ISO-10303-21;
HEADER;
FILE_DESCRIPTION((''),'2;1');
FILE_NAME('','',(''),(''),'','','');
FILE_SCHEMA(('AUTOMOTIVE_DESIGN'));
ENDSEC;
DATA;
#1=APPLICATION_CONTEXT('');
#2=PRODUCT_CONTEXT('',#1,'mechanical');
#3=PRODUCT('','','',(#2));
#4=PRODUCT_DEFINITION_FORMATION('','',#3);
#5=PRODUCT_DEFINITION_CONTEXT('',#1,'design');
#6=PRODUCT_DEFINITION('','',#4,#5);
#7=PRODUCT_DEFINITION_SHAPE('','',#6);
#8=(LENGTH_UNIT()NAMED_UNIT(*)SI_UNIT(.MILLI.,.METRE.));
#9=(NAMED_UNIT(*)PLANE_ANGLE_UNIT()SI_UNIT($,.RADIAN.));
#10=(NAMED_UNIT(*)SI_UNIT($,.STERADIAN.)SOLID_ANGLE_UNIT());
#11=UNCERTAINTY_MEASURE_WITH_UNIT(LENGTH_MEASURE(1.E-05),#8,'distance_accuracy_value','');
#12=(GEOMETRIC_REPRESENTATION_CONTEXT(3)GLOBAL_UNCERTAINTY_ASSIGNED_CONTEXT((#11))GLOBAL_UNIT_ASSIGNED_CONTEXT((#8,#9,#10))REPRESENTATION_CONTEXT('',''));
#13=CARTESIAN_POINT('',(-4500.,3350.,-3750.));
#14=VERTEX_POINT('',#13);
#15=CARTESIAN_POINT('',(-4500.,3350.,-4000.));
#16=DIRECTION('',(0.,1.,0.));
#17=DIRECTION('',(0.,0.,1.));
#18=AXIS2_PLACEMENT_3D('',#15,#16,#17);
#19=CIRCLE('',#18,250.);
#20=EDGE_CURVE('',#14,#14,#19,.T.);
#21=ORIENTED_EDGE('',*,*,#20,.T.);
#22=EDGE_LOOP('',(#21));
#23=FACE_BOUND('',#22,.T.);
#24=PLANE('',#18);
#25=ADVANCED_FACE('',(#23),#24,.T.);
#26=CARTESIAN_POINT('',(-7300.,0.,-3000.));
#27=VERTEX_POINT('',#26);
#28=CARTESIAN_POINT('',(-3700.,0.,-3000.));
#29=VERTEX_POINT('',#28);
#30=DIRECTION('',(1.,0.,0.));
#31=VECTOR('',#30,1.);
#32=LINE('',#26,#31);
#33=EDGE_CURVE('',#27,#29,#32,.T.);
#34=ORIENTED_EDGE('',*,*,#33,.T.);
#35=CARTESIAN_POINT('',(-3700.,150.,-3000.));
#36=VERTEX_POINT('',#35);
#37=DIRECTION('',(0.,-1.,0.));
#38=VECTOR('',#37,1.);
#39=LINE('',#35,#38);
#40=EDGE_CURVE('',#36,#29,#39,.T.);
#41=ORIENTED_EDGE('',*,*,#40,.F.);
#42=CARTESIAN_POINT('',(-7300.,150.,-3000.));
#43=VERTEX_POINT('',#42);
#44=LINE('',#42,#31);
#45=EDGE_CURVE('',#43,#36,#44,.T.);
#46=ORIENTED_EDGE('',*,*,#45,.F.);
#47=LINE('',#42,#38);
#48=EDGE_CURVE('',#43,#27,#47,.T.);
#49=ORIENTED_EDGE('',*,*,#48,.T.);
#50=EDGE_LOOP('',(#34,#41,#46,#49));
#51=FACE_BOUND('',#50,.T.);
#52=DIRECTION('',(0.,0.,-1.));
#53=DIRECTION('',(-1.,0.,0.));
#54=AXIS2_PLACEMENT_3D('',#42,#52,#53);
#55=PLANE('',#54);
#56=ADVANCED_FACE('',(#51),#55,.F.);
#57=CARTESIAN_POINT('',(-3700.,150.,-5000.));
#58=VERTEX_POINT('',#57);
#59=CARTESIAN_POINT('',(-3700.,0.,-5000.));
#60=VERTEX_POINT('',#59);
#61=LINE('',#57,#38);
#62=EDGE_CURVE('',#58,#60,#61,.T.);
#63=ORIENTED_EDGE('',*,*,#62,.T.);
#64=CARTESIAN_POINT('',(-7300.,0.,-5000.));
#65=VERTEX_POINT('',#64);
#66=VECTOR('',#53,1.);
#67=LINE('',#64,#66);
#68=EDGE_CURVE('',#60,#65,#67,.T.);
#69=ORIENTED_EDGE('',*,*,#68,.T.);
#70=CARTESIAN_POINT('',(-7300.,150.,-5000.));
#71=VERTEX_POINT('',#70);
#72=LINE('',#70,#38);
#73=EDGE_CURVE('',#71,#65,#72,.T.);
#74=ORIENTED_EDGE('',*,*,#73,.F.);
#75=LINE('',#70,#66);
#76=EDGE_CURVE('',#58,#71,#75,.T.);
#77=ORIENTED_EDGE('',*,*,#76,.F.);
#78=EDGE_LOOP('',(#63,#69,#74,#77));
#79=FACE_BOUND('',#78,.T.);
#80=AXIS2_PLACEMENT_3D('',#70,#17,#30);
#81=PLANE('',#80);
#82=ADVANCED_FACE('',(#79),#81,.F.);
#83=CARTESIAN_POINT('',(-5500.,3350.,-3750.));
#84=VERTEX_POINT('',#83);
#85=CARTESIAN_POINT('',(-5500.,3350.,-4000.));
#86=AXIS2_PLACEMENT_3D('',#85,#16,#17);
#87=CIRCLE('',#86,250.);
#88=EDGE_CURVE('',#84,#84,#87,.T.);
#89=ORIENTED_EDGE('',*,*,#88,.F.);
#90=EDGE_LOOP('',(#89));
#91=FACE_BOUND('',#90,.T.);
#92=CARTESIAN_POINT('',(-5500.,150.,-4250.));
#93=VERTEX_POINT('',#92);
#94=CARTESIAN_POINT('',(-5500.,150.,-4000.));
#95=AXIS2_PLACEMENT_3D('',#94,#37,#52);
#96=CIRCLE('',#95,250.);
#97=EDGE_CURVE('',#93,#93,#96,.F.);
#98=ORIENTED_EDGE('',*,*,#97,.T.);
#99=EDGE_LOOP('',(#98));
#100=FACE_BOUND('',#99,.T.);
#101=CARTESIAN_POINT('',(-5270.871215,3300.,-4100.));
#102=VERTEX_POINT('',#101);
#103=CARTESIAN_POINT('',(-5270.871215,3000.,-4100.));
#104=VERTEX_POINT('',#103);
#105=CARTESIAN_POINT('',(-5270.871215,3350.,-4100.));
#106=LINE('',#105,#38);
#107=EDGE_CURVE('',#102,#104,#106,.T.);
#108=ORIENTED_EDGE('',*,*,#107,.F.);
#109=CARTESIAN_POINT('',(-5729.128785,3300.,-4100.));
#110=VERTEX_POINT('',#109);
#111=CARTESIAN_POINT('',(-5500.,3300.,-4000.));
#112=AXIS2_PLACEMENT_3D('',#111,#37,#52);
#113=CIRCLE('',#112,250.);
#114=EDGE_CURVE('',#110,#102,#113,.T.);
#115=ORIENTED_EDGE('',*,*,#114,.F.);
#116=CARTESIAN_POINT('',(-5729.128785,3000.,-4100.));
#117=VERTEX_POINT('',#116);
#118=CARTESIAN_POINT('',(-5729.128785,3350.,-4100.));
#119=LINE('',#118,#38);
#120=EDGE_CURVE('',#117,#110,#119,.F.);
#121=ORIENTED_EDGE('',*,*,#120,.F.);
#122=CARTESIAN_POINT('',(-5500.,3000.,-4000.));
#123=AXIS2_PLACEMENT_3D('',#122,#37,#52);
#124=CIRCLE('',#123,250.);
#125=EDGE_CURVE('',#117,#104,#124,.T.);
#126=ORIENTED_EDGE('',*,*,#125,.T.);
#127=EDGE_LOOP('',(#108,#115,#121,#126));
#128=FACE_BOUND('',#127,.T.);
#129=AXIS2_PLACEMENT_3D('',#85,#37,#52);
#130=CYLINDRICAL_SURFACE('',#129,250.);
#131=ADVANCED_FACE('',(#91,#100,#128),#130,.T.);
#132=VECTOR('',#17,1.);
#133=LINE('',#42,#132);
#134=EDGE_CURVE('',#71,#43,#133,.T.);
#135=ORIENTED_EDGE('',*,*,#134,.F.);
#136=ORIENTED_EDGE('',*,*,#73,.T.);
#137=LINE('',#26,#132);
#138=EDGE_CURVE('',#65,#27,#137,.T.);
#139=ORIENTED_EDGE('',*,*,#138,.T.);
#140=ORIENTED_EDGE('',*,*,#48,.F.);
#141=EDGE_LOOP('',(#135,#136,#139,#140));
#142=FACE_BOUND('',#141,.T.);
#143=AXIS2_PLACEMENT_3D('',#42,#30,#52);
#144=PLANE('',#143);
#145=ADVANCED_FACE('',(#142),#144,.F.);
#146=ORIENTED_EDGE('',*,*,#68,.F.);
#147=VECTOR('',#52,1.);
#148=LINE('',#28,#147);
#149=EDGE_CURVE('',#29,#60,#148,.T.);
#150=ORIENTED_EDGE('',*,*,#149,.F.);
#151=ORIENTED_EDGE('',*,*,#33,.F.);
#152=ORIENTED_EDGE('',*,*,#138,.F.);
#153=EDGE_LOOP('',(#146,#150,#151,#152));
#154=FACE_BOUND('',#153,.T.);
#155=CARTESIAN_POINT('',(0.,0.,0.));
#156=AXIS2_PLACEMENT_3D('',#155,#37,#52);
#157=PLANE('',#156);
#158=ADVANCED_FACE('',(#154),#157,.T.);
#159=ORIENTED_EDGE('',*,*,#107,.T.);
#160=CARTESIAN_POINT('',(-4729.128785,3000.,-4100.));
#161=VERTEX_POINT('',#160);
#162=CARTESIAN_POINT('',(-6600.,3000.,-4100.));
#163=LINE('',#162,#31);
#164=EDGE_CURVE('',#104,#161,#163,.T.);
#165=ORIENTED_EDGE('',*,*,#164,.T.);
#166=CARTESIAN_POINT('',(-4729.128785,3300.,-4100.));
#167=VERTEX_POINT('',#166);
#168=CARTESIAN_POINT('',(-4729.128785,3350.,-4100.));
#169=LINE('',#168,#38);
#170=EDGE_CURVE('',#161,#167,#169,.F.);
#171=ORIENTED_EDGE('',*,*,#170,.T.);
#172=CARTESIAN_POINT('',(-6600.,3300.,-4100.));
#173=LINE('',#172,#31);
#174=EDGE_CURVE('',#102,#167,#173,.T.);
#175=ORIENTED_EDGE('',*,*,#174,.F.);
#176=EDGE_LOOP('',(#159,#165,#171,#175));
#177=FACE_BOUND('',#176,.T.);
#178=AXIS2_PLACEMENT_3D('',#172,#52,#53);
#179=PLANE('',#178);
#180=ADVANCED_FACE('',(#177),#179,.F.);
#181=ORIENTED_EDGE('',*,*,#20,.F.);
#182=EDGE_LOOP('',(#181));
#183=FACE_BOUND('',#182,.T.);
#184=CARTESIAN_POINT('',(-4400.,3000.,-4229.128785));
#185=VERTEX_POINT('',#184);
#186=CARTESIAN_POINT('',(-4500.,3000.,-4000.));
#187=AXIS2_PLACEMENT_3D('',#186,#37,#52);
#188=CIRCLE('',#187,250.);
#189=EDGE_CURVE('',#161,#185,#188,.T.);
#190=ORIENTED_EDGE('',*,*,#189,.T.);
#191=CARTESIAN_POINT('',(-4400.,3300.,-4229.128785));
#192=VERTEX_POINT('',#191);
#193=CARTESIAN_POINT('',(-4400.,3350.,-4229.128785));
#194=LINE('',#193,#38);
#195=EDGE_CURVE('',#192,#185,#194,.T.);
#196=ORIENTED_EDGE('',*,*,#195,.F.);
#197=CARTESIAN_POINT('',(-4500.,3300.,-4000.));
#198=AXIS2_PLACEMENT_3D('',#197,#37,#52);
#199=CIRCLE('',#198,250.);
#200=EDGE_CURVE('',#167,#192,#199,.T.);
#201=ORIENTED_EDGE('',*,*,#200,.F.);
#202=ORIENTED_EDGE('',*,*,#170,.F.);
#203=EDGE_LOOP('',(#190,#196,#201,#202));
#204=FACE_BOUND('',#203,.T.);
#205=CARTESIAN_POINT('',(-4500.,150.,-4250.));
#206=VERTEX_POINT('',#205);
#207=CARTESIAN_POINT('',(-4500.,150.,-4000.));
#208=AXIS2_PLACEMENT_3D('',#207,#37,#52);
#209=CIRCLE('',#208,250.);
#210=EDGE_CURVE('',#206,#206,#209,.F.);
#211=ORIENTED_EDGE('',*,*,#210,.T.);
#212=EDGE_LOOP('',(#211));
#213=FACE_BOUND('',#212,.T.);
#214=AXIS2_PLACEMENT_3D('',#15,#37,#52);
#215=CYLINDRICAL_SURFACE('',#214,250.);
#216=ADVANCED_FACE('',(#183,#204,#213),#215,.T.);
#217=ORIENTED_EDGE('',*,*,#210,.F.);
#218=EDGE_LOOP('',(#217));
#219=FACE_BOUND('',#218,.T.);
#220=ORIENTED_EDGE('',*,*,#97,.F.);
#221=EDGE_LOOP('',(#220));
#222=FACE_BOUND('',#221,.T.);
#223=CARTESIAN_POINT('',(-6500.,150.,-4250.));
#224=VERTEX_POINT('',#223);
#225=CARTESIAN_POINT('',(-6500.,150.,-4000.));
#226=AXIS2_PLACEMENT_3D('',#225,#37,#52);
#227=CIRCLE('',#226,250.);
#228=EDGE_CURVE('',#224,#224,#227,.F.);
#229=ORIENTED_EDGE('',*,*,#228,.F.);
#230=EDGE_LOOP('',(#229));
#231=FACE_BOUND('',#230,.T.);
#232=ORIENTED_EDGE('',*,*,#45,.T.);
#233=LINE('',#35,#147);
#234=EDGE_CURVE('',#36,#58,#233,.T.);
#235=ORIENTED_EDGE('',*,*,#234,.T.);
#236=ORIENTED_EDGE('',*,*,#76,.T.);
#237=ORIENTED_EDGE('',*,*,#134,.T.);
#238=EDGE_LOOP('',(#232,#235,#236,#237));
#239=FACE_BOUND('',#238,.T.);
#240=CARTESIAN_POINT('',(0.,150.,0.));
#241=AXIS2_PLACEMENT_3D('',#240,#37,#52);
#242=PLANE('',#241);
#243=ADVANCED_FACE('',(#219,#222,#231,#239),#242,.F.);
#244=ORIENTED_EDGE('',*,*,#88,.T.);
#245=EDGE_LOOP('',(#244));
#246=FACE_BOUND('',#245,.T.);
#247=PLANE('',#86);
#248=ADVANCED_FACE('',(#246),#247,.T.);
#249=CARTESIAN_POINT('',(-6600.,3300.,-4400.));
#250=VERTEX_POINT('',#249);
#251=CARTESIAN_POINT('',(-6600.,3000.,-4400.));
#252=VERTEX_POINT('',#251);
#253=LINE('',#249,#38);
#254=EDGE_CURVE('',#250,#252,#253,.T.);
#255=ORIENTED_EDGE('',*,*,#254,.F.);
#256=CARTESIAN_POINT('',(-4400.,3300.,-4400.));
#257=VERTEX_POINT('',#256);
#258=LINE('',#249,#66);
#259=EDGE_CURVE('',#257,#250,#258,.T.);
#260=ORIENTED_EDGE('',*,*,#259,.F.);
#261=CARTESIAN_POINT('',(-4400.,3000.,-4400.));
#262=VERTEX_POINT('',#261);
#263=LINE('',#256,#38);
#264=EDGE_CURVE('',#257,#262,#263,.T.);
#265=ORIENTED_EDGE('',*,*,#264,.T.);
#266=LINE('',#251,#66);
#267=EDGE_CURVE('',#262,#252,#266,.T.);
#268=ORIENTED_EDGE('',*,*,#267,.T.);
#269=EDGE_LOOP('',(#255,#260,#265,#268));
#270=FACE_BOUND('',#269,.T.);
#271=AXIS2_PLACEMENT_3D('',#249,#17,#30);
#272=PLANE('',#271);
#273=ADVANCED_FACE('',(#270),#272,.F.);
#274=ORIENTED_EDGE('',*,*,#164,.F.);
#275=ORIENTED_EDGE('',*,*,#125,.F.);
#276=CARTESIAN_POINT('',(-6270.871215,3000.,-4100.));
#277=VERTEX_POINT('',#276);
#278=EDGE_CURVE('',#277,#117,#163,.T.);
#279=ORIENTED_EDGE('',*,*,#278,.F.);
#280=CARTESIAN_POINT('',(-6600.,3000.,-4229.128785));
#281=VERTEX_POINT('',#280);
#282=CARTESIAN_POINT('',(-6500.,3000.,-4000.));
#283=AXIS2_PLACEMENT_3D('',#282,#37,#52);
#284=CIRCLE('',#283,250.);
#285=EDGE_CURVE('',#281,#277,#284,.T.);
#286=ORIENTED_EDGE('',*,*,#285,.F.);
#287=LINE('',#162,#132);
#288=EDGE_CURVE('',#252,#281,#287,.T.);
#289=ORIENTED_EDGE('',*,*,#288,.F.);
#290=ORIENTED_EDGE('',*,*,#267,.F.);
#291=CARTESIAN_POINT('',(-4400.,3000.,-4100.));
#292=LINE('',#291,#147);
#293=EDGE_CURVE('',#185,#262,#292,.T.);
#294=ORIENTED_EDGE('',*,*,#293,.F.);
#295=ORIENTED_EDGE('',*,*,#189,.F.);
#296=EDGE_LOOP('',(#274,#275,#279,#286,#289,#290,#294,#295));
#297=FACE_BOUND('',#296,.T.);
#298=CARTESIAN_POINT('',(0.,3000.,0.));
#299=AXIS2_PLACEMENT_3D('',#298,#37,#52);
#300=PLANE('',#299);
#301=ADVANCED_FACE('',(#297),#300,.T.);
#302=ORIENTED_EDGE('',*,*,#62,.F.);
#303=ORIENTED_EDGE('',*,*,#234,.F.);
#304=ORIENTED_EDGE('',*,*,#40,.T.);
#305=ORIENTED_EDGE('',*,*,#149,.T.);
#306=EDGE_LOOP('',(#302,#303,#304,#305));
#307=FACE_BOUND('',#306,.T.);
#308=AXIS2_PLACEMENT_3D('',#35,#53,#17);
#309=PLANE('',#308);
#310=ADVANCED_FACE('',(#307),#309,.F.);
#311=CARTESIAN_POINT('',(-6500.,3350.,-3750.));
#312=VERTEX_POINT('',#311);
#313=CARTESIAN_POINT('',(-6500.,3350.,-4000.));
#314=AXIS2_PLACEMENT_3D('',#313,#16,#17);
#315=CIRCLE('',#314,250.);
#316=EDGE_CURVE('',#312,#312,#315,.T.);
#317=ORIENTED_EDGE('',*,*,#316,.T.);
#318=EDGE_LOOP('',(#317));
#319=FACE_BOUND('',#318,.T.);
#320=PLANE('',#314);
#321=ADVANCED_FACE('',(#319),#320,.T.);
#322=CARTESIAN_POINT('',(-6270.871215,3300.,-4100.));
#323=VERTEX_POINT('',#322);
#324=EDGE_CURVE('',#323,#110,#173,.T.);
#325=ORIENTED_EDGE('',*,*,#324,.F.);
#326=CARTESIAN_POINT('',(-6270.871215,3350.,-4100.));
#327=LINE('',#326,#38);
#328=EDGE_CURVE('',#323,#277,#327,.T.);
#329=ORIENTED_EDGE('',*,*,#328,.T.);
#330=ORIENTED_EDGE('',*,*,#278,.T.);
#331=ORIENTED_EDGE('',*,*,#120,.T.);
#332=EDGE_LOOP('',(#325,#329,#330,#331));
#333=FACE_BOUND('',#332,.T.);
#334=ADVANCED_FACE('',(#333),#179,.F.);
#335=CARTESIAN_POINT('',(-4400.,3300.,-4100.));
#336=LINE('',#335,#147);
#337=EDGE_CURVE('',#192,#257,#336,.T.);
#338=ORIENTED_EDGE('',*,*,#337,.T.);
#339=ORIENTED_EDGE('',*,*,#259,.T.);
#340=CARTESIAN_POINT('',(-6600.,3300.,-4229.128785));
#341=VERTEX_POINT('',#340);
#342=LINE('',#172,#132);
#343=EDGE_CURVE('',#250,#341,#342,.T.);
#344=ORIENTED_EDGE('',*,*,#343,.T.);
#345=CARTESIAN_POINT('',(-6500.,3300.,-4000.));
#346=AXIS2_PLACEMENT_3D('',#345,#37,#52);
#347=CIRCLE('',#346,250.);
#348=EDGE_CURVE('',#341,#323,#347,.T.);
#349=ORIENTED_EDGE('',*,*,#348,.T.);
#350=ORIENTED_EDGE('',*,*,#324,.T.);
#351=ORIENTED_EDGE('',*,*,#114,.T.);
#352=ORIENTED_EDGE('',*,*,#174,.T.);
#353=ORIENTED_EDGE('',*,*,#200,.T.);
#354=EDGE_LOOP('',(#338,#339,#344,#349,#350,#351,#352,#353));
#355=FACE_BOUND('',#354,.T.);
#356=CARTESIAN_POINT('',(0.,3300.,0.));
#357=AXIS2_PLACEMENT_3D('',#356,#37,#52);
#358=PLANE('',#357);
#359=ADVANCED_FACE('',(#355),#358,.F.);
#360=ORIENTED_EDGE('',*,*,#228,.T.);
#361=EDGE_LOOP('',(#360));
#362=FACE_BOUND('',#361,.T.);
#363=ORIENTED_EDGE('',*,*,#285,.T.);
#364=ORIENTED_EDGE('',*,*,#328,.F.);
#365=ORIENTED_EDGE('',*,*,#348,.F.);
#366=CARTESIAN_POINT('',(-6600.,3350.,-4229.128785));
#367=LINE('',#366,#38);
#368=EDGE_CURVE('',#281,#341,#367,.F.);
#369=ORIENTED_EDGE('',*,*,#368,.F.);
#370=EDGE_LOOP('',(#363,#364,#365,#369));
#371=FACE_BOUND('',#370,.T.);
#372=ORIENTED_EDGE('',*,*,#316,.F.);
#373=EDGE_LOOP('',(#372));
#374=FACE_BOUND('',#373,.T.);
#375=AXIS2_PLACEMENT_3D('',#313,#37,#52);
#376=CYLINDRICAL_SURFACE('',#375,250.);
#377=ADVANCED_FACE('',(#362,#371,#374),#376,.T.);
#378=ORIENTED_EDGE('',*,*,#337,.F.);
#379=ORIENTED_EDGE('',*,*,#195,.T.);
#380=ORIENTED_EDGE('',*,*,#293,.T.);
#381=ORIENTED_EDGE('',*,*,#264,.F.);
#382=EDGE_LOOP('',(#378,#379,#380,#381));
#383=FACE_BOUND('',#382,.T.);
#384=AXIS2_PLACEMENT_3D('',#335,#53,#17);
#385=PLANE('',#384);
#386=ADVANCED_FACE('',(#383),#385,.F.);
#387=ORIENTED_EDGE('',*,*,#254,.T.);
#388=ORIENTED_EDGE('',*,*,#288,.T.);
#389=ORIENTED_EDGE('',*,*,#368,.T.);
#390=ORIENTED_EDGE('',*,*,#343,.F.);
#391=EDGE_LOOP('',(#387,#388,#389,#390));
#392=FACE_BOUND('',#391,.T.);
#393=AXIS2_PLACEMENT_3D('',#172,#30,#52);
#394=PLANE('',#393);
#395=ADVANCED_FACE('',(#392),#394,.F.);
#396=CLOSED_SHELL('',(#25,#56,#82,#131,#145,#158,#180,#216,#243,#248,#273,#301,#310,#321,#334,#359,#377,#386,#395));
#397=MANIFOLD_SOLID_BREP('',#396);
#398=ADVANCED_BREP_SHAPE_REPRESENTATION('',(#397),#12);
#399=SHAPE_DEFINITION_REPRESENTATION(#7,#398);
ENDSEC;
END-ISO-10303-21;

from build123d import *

# Parameters (mm, degrees)
SKETCH1_W           = 3600
SKETCH1_H           = 2000
BOSS_EXTRUDE1_DEPTH = 150
BOSS_EXTRUDE2_START = 150
SKETCH2_R           = 250
BOSS_EXTRUDE2_DEPTH = 3200
BOSS_EXTRUDE3_START = 150
SKETCH3_R           = 250
BOSS_EXTRUDE3_DEPTH = 3200
BOSS_EXTRUDE4_START = 150
SKETCH4_R           = 250
BOSS_EXTRUDE4_DEPTH = 3200
BOSS_EXTRUDE5_START = 3000
SKETCH5_W           = 2200
SKETCH5_H           = 300
BOSS_EXTRUDE5_DEPTH = 300


with BuildPart() as part:
    # Sketch1 → Boss-Extrude1 (new body)
    with BuildSketch(Plane(origin=(0, 0, 0), x_dir=(1, 0, 0), z_dir=(0, 1, 0))):
        with Locations((-5500, 4000)):
            Rectangle(SKETCH1_W, SKETCH1_H)
    extrude(amount=BOSS_EXTRUDE1_DEPTH)

    # Sketch2 → Boss-Extrude2 (add)
    with BuildSketch(Plane(origin=(0, 0, 0), x_dir=(1, 0, 0), z_dir=(0, 1, 0)).offset(BOSS_EXTRUDE2_START)):
        with Locations(Location((-6500, 4000, 0), (0, 0, 90))):
            Circle(SKETCH2_R)
    extrude(amount=BOSS_EXTRUDE2_DEPTH)

    # Sketch3 → Boss-Extrude3 (add)
    with BuildSketch(Plane(origin=(0, 0, 0), x_dir=(1, 0, 0), z_dir=(0, 1, 0)).offset(BOSS_EXTRUDE3_START)):
        with Locations(Location((-5500, 4000, 0), (0, 0, 90))):
            Circle(SKETCH3_R)
    extrude(amount=BOSS_EXTRUDE3_DEPTH)

    # Sketch4 → Boss-Extrude4 (add)
    with BuildSketch(Plane(origin=(0, 0, 0), x_dir=(1, 0, 0), z_dir=(0, 1, 0)).offset(BOSS_EXTRUDE4_START)):
        with Locations(Location((-4500, 4000, 0), (0, 0, 90))):
            Circle(SKETCH4_R)
    extrude(amount=BOSS_EXTRUDE4_DEPTH)

    # Sketch5 → Boss-Extrude5 (add)
    with BuildSketch(Plane(origin=(0, 0, 0), x_dir=(1, 0, 0), z_dir=(0, 1, 0)).offset(BOSS_EXTRUDE5_START)):
        with Locations((-5500, 4250)):
            Rectangle(SKETCH5_W, SKETCH5_H)
    extrude(amount=BOSS_EXTRUDE5_DEPTH)


solid = part.part
